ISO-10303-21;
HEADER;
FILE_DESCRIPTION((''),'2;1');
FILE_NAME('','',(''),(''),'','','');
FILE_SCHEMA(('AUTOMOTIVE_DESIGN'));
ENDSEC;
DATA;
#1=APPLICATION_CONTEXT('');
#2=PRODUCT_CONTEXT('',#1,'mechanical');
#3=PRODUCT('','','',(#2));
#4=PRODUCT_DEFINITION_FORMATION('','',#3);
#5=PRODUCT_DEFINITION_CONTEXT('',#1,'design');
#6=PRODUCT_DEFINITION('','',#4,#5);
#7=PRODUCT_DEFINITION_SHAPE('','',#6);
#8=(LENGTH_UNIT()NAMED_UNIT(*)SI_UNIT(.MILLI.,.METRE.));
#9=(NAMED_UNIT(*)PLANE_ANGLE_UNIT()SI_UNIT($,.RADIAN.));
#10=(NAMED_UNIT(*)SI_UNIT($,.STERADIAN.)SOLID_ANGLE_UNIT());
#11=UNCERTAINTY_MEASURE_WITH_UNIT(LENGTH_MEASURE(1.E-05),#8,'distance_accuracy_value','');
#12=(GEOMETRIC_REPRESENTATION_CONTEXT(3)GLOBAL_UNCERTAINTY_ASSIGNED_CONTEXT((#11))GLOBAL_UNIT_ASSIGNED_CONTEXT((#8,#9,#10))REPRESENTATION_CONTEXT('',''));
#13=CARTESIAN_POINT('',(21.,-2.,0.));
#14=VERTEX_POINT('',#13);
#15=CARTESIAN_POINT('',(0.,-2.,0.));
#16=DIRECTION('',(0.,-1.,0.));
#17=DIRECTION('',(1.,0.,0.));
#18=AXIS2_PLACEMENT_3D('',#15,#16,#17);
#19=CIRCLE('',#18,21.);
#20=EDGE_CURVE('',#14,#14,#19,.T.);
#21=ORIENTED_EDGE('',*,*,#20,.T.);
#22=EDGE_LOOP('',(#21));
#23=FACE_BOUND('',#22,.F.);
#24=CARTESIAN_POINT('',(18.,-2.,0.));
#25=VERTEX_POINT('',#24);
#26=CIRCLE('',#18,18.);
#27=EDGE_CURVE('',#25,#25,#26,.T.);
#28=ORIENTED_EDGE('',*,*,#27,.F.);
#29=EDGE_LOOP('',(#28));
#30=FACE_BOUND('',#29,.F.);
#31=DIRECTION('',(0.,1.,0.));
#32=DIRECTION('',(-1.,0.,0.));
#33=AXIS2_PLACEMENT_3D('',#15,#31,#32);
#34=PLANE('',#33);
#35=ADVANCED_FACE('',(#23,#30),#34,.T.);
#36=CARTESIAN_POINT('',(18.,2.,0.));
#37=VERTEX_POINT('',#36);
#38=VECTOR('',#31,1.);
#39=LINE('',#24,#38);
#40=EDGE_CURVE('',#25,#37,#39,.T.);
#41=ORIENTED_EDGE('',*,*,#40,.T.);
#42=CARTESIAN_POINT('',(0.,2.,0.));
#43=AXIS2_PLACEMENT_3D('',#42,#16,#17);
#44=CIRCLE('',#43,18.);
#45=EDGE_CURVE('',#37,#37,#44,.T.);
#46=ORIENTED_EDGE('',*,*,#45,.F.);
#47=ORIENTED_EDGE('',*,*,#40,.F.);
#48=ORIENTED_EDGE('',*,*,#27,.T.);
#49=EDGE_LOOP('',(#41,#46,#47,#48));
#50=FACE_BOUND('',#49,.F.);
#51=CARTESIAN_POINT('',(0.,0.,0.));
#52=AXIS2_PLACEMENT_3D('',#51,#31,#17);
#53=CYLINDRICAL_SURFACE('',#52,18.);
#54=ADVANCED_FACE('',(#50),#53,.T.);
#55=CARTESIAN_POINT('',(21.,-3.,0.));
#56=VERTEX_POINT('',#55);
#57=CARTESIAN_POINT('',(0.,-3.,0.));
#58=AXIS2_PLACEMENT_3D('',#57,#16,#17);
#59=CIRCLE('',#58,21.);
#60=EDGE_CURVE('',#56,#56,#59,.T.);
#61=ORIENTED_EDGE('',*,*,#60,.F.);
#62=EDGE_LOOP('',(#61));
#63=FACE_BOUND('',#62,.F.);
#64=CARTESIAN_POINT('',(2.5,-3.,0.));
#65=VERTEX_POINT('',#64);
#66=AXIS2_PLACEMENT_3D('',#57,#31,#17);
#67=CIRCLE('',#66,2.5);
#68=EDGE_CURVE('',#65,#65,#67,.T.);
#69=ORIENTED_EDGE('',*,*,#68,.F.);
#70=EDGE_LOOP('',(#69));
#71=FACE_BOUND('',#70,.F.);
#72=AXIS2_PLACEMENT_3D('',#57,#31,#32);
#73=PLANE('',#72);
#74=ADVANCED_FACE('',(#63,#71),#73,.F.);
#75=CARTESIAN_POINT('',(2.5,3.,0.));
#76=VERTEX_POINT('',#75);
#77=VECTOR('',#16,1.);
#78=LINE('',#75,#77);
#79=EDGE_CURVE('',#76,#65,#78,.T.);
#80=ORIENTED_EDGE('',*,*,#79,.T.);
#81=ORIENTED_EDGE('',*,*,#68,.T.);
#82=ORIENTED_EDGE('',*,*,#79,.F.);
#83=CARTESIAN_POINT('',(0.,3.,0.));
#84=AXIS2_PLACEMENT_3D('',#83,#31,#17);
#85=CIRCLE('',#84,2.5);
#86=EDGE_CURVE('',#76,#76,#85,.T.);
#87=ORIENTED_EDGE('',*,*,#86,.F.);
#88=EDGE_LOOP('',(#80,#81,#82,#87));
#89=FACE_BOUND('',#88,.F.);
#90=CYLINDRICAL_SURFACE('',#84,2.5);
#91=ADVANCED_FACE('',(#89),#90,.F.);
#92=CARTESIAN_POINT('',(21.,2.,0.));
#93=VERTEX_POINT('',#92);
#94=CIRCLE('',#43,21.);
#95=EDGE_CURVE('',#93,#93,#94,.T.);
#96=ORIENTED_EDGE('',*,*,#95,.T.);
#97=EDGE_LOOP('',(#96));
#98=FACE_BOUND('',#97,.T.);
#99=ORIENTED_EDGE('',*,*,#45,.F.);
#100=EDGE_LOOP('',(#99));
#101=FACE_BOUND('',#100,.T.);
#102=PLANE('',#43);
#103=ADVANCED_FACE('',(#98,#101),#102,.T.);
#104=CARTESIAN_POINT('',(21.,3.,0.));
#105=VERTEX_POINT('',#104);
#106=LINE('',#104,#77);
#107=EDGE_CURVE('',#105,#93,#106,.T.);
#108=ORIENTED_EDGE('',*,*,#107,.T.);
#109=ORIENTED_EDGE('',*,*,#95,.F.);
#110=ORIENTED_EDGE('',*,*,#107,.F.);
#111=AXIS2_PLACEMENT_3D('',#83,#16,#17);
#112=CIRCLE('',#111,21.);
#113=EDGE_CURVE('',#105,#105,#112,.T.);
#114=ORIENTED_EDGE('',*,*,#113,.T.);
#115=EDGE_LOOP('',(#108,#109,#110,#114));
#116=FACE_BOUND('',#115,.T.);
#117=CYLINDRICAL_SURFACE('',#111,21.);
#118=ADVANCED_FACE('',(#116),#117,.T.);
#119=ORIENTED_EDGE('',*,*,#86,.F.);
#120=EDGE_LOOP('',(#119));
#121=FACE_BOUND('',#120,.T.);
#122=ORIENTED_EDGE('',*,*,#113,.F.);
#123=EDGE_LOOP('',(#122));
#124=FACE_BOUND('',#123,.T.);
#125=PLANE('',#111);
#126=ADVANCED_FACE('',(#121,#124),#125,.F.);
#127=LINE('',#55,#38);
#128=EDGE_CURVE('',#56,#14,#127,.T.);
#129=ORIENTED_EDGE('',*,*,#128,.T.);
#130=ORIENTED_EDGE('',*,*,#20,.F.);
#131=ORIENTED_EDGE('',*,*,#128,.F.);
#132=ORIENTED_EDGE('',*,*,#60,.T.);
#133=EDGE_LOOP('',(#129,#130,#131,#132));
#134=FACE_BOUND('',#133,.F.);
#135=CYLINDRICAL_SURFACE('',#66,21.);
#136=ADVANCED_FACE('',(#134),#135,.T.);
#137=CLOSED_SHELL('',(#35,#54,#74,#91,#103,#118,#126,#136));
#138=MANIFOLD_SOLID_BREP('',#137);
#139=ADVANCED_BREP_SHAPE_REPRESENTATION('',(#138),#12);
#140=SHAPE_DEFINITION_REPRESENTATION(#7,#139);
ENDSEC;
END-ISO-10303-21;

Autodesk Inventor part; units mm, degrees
ref_plane "YZ Plane" through (0, 0, 0) normal (1, 0, 0) x (0, 1, 0)
ref_plane "XZ Plane" through (0, 0, 0) normal (0, 1, 0) x (-1, 0, 0)
ref_plane "XY Plane" through (0, 0, 0) normal (0, 0, 1) x (1, 0, 0)
sketch "Sketch1" plane through (0, 0, 0) normal (0, 0, 1) x (1, 0, 0)
  line L0 (0, 0) -> (18, 0)
  line L1 (18, 0) -> (18, 3)
  line L2 (18, 3) -> (0, 3)
  line L3 (0, 3) -> (0, 0)
  line L4 (0, 3) -> (21, 3)
  line L5 (21, 3) -> (21, 2)
  line L6 (21, 2) -> (0, 2)
  line L7 (0, 2) -> (0, 3)
  point P0 (18, 2)
  dimension "d0" = 18
  dimension "d1" = 3
  dimension "d2" = 21
  dimension "d3" = 1
revolve "Revolution1" add sketch "Sketch1" angle 360 about axis through (0, 3, 0) along (0, -1, 0)
mirror "Mirror1" about plane through (0, 0, 0) normal (0, 1, 0) of "Revolution1"
sketch "Sketch2" plane through (0, 3, 0) normal (0, 1, 0) x (1, 0, 0)
  circle A0 centre (0, 0) radius 2.5
  dimension "d5" = 5
extrude "Extrusion1" cut sketch "Sketch2" against normal blind 10
properties part number "servo_pulley"
